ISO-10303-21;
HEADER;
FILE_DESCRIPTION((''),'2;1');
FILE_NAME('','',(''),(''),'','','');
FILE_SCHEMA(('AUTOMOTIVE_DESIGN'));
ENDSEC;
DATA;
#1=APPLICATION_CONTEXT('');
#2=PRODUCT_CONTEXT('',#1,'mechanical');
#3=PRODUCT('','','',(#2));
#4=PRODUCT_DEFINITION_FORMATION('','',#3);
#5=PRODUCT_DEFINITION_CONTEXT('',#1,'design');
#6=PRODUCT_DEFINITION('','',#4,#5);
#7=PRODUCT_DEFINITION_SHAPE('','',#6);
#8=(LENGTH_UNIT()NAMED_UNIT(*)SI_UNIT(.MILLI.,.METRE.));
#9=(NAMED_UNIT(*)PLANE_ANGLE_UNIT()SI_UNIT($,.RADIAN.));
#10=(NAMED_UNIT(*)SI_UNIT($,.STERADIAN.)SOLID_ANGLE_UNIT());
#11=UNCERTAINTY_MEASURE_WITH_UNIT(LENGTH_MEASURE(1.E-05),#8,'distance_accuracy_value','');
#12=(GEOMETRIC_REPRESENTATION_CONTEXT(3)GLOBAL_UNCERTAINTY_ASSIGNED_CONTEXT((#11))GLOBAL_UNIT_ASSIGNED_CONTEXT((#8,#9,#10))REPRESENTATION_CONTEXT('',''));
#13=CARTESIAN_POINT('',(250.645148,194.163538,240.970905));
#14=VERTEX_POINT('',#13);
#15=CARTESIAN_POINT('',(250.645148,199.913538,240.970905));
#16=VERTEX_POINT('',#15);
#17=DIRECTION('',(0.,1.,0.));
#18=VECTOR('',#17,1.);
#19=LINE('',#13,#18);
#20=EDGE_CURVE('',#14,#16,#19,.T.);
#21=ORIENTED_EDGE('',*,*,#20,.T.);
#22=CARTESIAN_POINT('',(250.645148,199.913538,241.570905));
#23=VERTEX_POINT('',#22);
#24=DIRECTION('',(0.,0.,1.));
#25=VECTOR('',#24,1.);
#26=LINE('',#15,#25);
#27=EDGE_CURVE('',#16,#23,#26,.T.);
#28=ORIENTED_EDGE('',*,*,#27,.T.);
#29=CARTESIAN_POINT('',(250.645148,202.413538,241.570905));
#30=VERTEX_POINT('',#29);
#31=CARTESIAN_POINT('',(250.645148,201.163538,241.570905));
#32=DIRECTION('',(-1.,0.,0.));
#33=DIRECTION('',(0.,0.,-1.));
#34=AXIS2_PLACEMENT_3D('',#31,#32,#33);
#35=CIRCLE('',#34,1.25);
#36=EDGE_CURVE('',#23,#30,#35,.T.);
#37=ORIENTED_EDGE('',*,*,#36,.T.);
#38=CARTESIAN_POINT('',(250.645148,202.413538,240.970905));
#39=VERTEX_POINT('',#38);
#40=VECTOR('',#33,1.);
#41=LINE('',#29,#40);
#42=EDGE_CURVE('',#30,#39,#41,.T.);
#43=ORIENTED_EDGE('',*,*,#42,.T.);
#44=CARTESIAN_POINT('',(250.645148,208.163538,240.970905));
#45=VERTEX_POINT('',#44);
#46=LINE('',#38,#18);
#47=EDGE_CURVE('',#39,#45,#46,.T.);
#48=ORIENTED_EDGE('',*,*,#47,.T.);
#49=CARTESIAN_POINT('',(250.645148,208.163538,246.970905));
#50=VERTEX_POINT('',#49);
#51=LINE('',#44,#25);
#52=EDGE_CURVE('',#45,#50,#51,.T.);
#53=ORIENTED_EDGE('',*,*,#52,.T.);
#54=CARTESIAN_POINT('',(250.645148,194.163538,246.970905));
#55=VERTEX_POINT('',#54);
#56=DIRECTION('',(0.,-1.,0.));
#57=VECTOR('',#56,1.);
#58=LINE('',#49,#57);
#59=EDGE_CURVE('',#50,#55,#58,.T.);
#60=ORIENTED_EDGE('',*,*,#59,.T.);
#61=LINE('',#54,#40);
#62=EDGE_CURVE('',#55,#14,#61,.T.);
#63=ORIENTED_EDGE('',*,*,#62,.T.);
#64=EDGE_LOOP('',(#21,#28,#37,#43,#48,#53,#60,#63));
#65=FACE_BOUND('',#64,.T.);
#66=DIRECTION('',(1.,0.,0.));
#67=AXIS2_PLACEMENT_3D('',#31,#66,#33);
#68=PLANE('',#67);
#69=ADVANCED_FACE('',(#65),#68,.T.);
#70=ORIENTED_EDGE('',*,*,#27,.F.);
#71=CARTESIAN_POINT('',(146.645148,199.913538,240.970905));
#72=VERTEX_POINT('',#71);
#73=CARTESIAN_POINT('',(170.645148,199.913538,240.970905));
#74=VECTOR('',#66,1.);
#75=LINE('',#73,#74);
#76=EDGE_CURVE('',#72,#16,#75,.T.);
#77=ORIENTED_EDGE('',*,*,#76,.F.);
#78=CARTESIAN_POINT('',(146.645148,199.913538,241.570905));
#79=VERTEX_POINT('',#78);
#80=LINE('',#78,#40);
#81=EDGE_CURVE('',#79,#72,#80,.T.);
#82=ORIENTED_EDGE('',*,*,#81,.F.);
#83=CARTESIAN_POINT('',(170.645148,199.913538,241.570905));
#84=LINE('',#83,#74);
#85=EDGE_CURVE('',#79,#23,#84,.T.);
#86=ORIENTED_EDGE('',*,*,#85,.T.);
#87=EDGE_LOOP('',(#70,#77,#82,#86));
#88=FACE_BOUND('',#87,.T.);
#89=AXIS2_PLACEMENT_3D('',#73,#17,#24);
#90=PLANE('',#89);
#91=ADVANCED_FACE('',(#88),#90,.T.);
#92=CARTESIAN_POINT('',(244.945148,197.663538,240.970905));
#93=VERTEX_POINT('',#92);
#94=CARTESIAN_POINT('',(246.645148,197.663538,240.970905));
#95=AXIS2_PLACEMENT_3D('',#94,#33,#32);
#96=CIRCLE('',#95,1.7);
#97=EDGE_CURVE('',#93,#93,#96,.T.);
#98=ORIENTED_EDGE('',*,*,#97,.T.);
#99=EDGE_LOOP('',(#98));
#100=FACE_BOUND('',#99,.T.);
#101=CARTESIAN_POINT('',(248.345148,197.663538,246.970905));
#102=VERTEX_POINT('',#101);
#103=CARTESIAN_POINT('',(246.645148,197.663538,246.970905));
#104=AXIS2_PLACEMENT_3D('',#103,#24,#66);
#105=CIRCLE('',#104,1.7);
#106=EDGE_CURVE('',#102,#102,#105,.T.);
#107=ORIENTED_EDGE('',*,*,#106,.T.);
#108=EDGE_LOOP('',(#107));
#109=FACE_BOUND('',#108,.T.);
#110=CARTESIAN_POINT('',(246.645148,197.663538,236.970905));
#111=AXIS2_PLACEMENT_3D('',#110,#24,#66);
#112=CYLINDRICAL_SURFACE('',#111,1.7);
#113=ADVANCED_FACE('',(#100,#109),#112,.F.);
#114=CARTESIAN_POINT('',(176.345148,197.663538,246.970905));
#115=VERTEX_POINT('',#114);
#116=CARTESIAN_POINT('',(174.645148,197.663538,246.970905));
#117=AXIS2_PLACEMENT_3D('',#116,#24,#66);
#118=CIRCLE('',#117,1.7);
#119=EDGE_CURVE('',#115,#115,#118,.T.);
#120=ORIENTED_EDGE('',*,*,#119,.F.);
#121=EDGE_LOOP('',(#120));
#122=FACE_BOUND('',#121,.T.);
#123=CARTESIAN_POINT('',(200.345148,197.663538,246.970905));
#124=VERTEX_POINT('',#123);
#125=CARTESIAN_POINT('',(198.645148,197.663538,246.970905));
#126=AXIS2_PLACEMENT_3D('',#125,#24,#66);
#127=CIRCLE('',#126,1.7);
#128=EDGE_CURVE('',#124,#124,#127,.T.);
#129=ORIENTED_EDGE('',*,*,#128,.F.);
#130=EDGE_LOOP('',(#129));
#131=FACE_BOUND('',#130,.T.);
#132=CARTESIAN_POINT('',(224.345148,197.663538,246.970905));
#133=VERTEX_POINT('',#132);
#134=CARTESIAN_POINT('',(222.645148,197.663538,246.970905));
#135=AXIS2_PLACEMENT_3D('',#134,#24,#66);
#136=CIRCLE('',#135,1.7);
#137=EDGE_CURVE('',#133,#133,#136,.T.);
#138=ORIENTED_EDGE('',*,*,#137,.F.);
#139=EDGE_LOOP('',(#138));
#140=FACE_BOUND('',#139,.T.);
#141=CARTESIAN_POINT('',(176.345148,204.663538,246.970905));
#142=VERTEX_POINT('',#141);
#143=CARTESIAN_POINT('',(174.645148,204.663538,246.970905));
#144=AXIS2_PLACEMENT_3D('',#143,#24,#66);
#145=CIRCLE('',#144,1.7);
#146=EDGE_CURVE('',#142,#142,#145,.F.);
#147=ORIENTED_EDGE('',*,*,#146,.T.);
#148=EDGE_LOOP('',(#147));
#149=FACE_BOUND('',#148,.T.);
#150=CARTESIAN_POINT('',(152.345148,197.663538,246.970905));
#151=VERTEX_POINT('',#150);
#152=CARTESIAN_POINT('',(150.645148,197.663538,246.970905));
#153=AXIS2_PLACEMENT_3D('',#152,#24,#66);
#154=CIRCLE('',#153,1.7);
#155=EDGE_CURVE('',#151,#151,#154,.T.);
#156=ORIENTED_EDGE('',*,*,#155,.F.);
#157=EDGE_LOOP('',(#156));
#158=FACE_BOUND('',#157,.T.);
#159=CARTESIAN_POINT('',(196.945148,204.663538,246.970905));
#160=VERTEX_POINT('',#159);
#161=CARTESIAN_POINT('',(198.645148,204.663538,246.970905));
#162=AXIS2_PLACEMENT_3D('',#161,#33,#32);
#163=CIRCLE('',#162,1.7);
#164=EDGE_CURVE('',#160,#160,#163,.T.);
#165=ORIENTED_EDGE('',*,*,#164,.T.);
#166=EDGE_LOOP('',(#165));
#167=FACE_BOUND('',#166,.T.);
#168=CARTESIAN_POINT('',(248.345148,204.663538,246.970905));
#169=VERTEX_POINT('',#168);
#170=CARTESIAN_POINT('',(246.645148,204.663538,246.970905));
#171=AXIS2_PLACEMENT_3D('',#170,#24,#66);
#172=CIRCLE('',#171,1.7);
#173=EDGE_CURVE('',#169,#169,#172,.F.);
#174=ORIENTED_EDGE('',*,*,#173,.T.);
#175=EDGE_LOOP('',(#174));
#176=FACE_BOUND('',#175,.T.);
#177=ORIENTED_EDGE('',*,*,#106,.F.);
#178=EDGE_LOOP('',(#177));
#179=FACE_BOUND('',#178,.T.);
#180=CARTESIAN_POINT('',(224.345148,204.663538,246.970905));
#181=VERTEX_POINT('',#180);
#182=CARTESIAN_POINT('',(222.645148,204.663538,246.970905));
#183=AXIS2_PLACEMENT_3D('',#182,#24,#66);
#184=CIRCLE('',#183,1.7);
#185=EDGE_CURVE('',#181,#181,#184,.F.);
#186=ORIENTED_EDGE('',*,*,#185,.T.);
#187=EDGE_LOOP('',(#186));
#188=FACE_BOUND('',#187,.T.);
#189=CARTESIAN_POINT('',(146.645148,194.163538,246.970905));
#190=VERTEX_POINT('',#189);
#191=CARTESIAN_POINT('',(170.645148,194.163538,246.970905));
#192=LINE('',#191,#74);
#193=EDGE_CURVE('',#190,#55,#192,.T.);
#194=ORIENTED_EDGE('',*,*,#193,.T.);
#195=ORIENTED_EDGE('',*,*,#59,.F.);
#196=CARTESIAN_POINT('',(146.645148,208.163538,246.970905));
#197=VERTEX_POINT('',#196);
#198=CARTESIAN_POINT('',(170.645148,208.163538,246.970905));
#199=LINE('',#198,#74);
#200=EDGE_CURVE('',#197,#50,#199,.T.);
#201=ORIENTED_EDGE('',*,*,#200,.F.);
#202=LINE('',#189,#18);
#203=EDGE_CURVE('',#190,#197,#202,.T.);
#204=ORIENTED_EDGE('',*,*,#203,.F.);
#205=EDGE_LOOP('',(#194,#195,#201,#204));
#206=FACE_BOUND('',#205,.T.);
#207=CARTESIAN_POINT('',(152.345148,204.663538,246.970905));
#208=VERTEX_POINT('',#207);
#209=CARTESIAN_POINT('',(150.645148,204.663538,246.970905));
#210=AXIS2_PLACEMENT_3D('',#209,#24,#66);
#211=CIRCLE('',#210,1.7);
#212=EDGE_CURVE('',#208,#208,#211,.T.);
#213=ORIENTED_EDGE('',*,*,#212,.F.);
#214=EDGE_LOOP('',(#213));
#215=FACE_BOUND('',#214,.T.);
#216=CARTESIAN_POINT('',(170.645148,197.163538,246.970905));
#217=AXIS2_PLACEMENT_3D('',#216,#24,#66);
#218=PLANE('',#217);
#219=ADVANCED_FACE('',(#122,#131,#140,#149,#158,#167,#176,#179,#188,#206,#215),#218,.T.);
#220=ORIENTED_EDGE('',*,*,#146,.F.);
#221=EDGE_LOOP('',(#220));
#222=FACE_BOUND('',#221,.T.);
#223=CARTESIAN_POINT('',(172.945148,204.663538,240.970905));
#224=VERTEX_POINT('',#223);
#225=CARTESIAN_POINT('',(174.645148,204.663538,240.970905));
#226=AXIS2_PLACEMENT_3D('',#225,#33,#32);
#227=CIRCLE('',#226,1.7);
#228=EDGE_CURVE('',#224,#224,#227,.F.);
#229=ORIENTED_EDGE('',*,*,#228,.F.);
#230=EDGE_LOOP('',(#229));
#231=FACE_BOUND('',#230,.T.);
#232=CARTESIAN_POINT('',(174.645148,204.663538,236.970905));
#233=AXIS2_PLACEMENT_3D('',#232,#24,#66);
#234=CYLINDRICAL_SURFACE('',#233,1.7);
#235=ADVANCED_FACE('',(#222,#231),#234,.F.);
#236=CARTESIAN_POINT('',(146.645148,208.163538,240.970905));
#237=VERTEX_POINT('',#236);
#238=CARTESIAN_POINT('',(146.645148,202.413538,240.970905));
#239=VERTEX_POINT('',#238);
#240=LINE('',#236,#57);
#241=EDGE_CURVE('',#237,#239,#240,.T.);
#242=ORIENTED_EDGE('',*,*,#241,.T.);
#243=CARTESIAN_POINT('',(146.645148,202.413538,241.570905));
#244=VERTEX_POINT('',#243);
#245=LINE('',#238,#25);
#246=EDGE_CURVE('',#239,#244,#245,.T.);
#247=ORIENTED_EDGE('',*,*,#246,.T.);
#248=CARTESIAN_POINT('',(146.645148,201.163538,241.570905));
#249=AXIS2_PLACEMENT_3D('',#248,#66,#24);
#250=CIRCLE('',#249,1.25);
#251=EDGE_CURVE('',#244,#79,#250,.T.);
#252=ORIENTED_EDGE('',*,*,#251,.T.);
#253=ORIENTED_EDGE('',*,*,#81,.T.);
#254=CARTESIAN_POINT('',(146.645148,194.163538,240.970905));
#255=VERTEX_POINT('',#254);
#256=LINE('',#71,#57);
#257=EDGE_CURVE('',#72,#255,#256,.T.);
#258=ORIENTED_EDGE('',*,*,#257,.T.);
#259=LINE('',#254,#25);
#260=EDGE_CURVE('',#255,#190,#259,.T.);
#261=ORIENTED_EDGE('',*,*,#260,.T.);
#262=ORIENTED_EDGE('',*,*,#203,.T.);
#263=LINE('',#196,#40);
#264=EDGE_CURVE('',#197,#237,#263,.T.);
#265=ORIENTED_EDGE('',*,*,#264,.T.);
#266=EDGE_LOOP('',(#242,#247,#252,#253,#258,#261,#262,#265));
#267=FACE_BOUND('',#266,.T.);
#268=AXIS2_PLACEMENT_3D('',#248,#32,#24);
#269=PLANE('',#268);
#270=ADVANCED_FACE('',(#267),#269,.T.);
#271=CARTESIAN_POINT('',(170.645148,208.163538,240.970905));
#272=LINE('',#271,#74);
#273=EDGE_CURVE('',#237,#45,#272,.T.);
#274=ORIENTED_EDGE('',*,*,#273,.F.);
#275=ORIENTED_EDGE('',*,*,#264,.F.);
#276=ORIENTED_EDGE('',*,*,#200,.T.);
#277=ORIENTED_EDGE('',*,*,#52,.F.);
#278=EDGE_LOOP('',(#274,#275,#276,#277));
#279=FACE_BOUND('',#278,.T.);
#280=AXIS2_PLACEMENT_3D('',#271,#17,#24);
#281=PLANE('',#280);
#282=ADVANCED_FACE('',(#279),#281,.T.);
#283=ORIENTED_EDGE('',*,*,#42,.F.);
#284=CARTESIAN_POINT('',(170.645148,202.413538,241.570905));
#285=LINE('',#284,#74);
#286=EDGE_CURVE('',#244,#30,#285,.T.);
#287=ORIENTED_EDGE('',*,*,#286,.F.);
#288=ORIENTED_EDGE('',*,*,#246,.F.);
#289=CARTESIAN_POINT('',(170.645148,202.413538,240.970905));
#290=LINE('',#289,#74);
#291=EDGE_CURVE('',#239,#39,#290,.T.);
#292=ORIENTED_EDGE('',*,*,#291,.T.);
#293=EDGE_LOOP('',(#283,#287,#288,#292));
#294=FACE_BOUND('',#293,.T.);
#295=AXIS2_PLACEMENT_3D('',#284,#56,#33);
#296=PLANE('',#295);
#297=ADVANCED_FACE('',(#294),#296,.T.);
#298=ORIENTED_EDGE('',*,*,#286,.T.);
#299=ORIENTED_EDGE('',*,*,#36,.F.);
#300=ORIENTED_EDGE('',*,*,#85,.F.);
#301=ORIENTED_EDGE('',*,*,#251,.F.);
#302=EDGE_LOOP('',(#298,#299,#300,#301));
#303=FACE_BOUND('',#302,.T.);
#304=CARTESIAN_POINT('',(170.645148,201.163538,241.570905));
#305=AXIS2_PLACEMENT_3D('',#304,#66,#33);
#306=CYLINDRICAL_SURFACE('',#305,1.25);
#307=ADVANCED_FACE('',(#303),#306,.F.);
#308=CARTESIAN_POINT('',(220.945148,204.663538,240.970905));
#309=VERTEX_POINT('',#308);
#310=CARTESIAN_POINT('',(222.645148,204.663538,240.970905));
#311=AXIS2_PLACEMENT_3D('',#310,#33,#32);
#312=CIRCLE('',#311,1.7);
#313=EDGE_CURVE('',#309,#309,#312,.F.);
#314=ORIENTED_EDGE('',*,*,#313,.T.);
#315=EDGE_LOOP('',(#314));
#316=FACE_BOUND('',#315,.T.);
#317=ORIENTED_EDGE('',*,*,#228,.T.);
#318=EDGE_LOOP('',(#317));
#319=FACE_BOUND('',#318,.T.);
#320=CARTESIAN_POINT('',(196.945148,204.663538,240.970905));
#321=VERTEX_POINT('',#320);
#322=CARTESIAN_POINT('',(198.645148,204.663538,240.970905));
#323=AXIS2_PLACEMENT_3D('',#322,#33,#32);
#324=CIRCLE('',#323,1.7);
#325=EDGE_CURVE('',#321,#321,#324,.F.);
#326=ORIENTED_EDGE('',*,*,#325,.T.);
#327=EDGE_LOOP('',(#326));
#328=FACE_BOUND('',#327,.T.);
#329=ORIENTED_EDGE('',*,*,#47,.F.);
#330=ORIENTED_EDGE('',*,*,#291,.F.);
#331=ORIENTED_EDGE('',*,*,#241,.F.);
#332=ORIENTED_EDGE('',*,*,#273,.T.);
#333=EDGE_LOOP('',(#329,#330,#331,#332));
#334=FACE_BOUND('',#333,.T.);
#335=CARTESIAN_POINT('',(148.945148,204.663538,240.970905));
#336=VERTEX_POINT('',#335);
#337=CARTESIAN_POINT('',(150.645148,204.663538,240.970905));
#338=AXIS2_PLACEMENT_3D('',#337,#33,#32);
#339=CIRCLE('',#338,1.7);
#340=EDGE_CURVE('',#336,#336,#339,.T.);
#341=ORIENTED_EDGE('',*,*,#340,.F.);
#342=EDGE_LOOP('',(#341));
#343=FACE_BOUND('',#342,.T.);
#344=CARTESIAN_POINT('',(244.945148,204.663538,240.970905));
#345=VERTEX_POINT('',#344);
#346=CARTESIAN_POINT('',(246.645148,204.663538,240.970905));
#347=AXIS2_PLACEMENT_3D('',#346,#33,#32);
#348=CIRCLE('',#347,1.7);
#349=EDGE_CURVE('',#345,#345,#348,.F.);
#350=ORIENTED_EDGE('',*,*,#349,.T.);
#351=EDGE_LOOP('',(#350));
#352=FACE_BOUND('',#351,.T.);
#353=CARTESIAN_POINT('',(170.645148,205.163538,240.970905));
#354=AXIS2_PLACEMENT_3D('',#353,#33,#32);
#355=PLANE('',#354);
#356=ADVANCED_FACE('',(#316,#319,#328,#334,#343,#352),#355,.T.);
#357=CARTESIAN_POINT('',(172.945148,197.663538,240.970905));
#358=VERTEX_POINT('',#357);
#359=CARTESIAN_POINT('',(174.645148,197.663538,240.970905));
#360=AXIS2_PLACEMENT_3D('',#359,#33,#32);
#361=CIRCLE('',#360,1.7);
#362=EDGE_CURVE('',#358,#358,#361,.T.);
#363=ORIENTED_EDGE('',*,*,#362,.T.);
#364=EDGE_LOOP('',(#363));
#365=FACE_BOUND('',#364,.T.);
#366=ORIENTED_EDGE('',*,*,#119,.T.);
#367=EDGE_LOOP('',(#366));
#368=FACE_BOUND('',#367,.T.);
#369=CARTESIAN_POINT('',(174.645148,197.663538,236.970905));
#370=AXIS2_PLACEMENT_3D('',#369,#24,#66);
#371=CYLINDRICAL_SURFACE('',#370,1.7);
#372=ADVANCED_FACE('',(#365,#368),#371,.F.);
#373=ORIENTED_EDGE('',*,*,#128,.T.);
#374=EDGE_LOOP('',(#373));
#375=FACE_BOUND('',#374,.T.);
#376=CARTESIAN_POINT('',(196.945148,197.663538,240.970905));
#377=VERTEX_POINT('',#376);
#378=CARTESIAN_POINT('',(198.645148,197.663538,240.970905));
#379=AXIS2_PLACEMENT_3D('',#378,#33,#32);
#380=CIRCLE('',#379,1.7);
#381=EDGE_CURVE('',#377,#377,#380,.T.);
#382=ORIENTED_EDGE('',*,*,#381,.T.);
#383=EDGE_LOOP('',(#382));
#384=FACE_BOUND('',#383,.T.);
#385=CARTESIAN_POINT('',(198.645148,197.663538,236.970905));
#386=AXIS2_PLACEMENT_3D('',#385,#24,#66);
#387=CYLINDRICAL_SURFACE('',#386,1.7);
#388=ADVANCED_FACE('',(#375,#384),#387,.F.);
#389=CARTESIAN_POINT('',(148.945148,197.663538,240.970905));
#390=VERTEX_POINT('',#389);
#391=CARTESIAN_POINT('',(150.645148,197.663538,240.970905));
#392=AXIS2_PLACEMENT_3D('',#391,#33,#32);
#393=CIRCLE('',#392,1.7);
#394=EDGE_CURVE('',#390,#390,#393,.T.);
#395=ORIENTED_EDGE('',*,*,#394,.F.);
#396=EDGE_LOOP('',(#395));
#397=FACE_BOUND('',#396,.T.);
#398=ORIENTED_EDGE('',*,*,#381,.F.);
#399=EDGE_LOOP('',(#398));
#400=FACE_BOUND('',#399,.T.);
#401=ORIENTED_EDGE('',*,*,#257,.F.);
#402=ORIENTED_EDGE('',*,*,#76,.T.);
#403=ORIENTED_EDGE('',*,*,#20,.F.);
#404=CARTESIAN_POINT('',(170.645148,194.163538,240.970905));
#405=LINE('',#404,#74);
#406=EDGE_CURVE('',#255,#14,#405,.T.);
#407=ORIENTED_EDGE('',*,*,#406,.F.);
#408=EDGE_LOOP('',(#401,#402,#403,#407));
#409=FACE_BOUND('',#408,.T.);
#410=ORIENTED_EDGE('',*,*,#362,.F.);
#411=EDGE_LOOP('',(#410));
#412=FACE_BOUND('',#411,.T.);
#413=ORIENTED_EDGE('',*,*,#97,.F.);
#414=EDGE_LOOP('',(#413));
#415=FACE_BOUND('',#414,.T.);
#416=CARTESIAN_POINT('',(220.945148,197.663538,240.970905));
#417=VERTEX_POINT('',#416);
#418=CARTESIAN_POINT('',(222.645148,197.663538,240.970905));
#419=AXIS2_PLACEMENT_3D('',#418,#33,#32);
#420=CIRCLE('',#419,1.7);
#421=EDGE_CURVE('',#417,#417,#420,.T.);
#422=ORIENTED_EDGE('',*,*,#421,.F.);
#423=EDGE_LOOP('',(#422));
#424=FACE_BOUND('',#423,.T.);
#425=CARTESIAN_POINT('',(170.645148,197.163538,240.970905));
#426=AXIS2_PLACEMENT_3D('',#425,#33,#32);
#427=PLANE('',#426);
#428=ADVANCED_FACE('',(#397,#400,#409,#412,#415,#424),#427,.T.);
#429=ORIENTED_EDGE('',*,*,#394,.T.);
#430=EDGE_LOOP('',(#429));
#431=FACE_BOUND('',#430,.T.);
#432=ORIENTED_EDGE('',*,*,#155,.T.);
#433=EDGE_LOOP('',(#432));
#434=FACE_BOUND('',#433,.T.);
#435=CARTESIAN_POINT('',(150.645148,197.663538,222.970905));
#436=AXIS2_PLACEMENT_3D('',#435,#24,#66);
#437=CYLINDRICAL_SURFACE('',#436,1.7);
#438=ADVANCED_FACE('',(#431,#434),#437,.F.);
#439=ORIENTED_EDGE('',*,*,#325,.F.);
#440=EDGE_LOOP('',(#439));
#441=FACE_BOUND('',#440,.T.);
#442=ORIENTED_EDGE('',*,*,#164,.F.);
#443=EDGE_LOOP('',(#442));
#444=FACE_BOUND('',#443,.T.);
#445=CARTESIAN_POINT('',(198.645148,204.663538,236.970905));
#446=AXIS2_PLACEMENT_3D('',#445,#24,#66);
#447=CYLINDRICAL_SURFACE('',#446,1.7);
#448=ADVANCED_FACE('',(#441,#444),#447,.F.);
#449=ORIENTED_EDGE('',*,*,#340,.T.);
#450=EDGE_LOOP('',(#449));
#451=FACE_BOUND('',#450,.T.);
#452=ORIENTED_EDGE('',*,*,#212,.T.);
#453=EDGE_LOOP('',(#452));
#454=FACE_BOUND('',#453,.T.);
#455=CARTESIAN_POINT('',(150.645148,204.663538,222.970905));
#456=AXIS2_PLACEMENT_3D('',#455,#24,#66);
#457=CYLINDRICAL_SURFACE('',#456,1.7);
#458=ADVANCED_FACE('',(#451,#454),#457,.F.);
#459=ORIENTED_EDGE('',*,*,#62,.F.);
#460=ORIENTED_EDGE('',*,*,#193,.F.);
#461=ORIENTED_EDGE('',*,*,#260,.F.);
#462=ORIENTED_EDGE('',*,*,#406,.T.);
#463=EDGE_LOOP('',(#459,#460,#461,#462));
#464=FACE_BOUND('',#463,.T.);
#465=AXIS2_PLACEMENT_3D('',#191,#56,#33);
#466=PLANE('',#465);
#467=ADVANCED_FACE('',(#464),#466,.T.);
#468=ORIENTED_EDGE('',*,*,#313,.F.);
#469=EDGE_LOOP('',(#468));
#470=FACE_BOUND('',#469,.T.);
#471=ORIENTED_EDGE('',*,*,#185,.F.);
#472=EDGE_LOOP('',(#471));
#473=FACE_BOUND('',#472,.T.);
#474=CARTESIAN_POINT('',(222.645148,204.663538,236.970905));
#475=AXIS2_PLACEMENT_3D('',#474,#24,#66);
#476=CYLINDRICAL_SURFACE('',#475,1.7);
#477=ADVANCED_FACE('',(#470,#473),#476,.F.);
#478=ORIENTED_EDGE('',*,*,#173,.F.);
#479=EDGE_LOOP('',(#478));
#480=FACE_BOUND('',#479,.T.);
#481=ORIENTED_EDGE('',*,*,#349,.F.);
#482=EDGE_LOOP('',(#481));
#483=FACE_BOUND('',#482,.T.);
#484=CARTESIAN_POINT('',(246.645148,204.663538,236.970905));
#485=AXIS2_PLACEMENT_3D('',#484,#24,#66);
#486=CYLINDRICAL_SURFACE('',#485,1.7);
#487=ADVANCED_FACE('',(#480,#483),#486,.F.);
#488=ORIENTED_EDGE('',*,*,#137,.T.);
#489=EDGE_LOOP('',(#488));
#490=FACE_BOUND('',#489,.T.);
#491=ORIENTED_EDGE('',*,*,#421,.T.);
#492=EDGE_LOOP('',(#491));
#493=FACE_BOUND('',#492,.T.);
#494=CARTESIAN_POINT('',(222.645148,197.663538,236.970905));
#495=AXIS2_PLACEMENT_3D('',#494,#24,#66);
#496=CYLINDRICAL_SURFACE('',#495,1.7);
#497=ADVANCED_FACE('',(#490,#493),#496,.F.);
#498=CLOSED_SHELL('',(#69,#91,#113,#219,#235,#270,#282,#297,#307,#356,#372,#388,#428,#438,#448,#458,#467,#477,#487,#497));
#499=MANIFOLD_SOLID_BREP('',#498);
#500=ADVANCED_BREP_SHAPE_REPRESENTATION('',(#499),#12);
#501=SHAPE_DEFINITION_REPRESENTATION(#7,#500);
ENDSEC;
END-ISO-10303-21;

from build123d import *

# Parameters (mm, degrees)
BOSS_EXTRUDE1_DEPTH      = 60
BOSS_EXTRUDE1_DEPTH_BACK = 20
SKETCH2_R                = 1.7
CUT_EXTRUDE1_DEPTH       = 10
BOSS_EXTRUDE2_START      = 24
BOSS_EXTRUDE2_DEPTH      = 24
SKETCH4_R                = 1.7
CUT_EXTRUDE2_DEPTH       = 24


with BuildPart() as part:
    # Sketch1 → Boss-Extrude1 (new, two sides: drawn at the far end of the back side and taken through both)
    with BuildSketch(Plane(origin=(190.645148, 0, 0), x_dir=(0, 0, -1), z_dir=(1, 0, 0)).offset(-BOSS_EXTRUDE1_DEPTH_BACK)):
        with BuildLine():
            Line((-246.970904961, 208.163538159), (-246.970904961, 205.163538159))
            Line((-246.970904961, 205.163538159), (-246.970904961, 197.163538159))
            Line((-246.970904961, 197.163538159), (-246.970904961, 194.163538159))
            Line((-246.970904961, 194.163538159), (-240.970904961, 194.163538159))
            Line((-240.970904961, 194.163538159), (-240.970904961, 197.163538159))
            Line((-240.970904961, 197.163538159), (-240.970904961, 199.913538158))
            Line((-240.970904961, 199.913538158), (-241.570904961, 199.913538158))
            ThreePointArc((-241.570904961, 199.913538158), (-242.820904961, 201.163538162), (-241.570904955, 202.413538158))
            Line((-241.570904955, 202.413538158), (-240.970904961, 202.413538158))
            Line((-240.970904961, 202.413538158), (-240.970904961, 205.163538159))
            Line((-240.970904961, 205.163538159), (-240.970904961, 208.163538159))
            Line((-240.970904961, 208.163538159), (-246.970904961, 208.163538159))
        make_face()
    extrude(amount=BOSS_EXTRUDE1_DEPTH + BOSS_EXTRUDE1_DEPTH_BACK)

    # Sketch2 → Cut-Extrude1 (cut)
    with BuildSketch(Plane.XY.offset(246.970904961)):
        with Locations((246.645148, 197.663538159)):
            Circle(SKETCH2_R)
        with Locations((198.645148, 197.663538159)):
            Circle(SKETCH2_R)
        with Locations((174.645148, 197.663538159)):
            Circle(SKETCH2_R)
        with Locations((222.645148, 197.663538159)):
            Circle(SKETCH2_R)
        with Locations((174.645148, 204.663538159)):
            Circle(SKETCH2_R)
        with Locations(Location((198.645148, 204.663538159, 0), (0, 0, 180))):
            Circle(SKETCH2_R)
        with Locations((222.645148, 204.663538159)):
            Circle(SKETCH2_R)
        with Locations((246.645148, 204.663538159)):
            Circle(SKETCH2_R)
    extrude(amount=-CUT_EXTRUDE1_DEPTH, mode=Mode.SUBTRACT)

    # Sketch3 → Boss-Extrude2 (add)
    with BuildSketch(Plane.ZY.offset(-170.645148).offset(BOSS_EXTRUDE2_START)):
        with BuildLine():
            Line((246.970904961, 208.163538159), (240.970904961, 208.163538159))
            Line((240.970904961, 208.163538159), (240.970904961, 202.413538158))
            Line((240.970904961, 202.413538158), (241.570904955, 202.413538158))
            ThreePointArc((241.570904955, 202.413538158), (242.820904961, 201.163538162), (241.570904961, 199.913538158))
            Line((241.570904961, 199.913538158), (240.970904961, 199.913538158))
            Line((240.970904961, 199.913538158), (240.970904961, 194.163538159))
            Line((240.970904961, 194.163538159), (246.970904961, 194.163538159))
            Line((246.970904961, 194.163538159), (246.970904961, 208.163538159))
        make_face()
    extrude(amount=-BOSS_EXTRUDE2_DEPTH)

    # Sketch4 → Cut-Extrude2 (cut)
    with BuildSketch(Plane.XY.offset(246.970904961)):
        with Locations((150.645148, 197.663538159)):
            Circle(SKETCH4_R)
        with Locations((150.645148, 204.663538159)):
            Circle(SKETCH4_R)
    extrude(amount=-CUT_EXTRUDE2_DEPTH, mode=Mode.SUBTRACT)


solid = part.part
